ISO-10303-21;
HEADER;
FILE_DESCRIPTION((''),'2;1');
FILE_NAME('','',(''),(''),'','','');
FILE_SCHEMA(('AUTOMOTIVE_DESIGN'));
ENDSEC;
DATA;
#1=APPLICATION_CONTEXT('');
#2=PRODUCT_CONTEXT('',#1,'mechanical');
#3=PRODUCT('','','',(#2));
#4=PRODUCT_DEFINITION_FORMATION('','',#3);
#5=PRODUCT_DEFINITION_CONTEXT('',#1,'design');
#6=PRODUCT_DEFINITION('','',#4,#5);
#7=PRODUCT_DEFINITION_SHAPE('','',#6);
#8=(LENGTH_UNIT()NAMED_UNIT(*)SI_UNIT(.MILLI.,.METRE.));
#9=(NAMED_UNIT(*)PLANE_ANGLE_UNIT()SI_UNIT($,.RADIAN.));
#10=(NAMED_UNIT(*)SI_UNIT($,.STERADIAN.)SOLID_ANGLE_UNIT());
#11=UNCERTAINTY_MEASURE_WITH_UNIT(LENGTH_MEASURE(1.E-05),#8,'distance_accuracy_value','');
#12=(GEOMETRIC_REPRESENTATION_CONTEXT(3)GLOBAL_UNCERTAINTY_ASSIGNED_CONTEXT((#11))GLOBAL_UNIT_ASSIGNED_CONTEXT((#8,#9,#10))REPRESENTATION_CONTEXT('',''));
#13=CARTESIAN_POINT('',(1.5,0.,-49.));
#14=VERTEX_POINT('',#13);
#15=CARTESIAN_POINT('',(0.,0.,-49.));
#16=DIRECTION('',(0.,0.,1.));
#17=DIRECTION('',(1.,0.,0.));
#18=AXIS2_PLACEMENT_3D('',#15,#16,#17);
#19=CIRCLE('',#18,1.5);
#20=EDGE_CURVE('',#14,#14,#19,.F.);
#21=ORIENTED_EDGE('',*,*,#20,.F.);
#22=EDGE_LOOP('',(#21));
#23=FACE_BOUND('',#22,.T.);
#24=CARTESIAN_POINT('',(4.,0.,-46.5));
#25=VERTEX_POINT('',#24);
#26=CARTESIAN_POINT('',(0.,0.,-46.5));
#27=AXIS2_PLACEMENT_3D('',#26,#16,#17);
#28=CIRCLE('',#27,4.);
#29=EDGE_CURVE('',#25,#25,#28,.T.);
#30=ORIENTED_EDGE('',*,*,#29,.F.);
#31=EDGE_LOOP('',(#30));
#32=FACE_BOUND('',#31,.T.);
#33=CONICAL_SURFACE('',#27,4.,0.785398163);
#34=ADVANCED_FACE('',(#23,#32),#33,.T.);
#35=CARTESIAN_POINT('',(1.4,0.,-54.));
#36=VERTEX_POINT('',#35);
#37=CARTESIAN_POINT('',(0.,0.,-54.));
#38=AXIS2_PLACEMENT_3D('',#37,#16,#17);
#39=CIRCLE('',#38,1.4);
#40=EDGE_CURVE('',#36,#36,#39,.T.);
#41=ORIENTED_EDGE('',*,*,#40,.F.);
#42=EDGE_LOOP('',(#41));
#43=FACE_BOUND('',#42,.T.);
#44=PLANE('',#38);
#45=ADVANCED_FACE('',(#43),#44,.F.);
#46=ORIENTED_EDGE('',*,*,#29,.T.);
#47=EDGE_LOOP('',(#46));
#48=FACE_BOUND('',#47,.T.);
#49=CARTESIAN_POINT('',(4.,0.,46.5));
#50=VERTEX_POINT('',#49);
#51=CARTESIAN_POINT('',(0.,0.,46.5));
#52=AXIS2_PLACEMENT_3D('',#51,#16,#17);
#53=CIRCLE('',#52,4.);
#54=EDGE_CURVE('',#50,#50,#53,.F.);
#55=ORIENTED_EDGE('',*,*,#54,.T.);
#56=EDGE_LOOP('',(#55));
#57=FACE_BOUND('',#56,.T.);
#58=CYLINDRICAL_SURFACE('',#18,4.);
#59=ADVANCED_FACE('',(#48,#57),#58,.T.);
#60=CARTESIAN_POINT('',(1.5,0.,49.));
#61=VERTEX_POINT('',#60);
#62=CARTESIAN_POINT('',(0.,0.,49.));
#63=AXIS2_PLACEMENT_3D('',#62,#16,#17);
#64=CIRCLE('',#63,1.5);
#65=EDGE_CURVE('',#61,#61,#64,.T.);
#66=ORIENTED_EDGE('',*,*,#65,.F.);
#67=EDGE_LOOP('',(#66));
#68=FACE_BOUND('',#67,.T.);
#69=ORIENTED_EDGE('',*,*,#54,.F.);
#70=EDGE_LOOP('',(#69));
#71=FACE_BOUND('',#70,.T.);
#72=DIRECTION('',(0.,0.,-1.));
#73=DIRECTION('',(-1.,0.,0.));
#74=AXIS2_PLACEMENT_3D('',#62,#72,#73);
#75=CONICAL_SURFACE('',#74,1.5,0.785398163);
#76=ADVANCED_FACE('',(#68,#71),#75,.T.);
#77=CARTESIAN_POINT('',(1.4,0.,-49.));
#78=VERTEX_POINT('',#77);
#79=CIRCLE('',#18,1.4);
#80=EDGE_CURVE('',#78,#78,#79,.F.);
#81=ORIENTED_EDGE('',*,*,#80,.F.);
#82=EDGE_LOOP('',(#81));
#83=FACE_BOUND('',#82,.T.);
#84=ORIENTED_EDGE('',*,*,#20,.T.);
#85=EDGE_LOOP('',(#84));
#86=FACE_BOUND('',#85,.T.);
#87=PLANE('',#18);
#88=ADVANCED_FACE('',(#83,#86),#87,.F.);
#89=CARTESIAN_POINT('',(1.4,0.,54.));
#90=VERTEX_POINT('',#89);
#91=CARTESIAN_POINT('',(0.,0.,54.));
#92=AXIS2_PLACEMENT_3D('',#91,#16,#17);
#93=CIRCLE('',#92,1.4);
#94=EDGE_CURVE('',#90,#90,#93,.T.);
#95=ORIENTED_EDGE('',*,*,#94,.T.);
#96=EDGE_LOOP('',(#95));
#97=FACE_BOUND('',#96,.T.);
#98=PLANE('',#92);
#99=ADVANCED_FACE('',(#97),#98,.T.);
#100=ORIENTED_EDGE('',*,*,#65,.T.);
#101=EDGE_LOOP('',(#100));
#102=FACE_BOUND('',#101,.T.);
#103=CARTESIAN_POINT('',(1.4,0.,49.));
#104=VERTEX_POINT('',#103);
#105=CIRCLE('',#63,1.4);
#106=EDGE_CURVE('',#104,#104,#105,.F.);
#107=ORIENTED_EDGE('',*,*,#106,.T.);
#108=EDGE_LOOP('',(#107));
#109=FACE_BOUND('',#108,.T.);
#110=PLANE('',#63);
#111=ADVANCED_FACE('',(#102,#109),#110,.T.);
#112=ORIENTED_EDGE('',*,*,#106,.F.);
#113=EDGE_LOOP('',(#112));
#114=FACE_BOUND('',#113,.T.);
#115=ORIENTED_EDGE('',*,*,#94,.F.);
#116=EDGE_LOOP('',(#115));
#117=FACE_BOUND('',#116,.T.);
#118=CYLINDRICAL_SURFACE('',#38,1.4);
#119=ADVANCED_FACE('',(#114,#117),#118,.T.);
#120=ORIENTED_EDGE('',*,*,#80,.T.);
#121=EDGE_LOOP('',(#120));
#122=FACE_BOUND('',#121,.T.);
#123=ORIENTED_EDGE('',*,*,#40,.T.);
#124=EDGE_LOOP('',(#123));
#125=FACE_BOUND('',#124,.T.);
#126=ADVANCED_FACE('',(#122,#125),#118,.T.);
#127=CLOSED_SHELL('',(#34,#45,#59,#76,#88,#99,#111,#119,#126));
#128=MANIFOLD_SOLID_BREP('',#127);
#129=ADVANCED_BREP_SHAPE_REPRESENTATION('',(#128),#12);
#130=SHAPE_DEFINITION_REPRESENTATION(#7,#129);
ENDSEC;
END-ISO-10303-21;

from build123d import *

# Parameters (mm, degrees)
DODANIE_WYCI_GNI_CIE1_DEPTH      = 54
DODANIE_WYCI_GNI_CIE1_DEPTH_BACK = 54
SZKIC1_R                         = 1.4
DODANIE_WYCI_GNI_CIE2_DEPTH      = 49
DODANIE_WYCI_GNI_CIE2_DEPTH_BACK = 49
SZKIC2_R                         = 4
SFAZOWANIE4_SIZE                 = 2.5


with BuildPart() as part:
    # Szkic1 → Dodanie-wyciągnięcie1 (new, two sides: drawn at the far end of the back side and taken through both)
    with BuildSketch(Plane.XY.offset(-DODANIE_WYCI_GNI_CIE1_DEPTH_BACK)):
        Circle(SZKIC1_R)
    extrude(amount=DODANIE_WYCI_GNI_CIE1_DEPTH + DODANIE_WYCI_GNI_CIE1_DEPTH_BACK)

    # Szkic2 → Dodanie-wyciągnięcie2 (add, two sides: drawn at the far end of the back side and taken through both)
    with BuildSketch(Plane.XY.offset(-DODANIE_WYCI_GNI_CIE2_DEPTH_BACK)):
        Circle(SZKIC2_R)
    extrude(amount=DODANIE_WYCI_GNI_CIE2_DEPTH + DODANIE_WYCI_GNI_CIE2_DEPTH_BACK)

    # Sfazowanie4
    sfazowanie4_edges = [part.edges().sort_by_distance(p)[0] for p in [
        (-4, 0, -49),
        (-4, 0, 49),
    ]]
    chamfer(sfazowanie4_edges, length=SFAZOWANIE4_SIZE)


solid = part.part
